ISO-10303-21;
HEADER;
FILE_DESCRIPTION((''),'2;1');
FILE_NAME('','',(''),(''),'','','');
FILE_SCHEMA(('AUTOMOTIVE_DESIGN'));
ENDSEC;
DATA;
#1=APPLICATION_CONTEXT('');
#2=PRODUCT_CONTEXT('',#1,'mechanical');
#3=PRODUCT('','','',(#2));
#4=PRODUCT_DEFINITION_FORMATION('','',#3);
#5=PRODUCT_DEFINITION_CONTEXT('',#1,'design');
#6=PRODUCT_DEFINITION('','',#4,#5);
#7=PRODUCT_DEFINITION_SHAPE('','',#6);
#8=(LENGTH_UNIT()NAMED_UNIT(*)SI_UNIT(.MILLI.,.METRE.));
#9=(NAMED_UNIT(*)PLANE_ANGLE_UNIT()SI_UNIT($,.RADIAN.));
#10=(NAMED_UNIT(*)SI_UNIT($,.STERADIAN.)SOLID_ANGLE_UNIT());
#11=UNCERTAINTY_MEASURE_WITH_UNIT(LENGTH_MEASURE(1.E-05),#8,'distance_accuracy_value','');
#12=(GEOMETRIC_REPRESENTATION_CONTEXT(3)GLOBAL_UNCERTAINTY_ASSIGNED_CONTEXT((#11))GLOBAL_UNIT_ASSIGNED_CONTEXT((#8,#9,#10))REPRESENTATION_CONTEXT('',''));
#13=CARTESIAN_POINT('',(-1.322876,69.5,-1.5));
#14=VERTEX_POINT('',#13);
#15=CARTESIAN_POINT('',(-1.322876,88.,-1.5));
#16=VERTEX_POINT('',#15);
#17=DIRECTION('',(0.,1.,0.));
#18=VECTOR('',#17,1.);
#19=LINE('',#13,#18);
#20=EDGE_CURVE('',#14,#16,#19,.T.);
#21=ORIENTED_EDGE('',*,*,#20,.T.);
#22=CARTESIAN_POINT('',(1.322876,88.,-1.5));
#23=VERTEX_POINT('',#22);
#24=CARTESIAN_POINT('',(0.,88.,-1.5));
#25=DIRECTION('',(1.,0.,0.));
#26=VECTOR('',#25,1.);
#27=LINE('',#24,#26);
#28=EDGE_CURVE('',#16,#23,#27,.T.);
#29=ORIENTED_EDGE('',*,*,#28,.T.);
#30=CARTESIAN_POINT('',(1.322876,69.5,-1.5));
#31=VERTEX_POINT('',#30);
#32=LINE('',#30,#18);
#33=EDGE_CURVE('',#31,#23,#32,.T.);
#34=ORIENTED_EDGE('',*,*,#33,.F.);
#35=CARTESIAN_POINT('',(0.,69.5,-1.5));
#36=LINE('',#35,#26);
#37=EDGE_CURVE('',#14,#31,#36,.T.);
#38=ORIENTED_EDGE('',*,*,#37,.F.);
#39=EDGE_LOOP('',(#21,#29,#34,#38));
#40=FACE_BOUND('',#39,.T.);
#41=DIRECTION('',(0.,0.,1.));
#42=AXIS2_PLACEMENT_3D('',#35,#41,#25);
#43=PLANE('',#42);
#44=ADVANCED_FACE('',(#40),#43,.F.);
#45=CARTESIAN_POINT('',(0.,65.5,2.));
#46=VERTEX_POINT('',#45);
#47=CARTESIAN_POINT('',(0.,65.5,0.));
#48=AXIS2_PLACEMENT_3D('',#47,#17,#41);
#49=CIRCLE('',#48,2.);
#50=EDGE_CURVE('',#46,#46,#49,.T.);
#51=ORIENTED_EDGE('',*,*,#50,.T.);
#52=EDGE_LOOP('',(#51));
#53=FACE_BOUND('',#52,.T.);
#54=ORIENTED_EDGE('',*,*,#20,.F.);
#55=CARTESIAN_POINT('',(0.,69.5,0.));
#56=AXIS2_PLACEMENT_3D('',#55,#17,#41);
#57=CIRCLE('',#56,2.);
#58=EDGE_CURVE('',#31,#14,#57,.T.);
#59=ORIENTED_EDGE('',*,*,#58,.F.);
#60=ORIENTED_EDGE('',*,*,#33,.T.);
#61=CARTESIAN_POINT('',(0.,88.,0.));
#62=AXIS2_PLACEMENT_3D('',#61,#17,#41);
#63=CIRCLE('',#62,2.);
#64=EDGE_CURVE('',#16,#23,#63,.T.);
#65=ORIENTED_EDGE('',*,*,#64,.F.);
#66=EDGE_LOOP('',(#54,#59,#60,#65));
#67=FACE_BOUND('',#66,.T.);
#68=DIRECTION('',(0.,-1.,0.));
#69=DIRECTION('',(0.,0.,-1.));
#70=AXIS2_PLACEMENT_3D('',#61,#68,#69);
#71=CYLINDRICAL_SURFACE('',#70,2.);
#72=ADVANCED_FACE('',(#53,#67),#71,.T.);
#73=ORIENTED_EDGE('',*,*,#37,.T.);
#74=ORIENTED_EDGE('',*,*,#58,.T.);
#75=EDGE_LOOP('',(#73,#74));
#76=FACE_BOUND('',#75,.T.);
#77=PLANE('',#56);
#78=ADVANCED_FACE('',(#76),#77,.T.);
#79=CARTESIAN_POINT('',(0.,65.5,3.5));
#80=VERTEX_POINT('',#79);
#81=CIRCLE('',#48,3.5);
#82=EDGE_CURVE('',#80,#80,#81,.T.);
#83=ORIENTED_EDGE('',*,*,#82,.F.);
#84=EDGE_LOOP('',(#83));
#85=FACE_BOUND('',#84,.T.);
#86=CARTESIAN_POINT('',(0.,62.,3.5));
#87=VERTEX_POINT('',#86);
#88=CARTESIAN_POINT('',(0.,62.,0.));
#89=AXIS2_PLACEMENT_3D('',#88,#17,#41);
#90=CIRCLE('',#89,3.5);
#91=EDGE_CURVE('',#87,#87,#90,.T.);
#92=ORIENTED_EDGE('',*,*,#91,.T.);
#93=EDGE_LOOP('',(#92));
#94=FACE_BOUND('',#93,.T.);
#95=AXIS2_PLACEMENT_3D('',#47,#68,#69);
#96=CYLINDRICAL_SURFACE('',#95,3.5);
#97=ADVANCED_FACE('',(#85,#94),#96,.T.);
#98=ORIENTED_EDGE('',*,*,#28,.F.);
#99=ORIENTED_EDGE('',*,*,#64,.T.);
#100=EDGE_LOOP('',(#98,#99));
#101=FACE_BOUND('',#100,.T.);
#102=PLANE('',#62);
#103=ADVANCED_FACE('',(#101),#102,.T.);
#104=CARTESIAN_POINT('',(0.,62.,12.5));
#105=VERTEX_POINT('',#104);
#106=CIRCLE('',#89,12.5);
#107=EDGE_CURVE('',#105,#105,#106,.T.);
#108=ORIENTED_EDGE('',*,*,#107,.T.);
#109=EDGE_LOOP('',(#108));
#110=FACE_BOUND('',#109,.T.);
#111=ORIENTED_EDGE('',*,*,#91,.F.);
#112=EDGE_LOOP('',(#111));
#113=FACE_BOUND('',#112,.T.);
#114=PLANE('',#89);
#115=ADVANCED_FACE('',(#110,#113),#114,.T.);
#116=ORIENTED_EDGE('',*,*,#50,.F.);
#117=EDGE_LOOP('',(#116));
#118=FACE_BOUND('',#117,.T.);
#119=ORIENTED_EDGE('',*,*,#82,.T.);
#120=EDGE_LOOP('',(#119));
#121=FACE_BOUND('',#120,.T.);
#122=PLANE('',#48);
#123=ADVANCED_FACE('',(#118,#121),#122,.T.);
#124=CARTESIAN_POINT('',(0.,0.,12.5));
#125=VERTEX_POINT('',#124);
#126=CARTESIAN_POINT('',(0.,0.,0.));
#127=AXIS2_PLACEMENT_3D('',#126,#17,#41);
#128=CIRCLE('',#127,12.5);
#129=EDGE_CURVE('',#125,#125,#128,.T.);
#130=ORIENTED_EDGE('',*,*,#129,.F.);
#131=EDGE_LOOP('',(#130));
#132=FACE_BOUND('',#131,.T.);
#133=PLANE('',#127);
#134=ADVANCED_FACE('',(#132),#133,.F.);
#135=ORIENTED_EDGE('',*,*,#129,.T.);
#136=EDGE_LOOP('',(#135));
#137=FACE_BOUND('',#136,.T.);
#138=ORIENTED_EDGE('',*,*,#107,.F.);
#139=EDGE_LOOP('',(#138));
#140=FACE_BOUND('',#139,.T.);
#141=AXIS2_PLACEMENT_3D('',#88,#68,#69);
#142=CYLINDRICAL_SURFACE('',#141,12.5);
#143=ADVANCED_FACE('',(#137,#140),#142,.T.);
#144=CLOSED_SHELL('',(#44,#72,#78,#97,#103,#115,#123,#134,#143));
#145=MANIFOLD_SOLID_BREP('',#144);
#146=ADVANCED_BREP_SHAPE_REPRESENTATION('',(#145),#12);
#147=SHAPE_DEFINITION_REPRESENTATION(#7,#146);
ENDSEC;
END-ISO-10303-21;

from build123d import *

# Parameters (mm, degrees)
SKETCH_1_R          = 12.5
EXTRUDE_1_DEPTH     = 62
SKETCH_2_R          = 3.5
EXTRUDE_2_DEPTH     = 3.5
SKETCH_3_R          = 2
EXTRUDE_3_DEPTH     = 22.5
CUT_EXTRUDE_1_DEPTH = 18.5


with BuildPart() as part:
    # 草图1 → 凸台-拉伸1 (new body)
    with BuildSketch(Plane(origin=(0, 0, 0), x_dir=(1, 0, 0), z_dir=(0, 1, 0))):
        Circle(SKETCH_1_R)
    extrude(amount=EXTRUDE_1_DEPTH)

    # 草图2 → 凸台-拉伸2 (add)
    with BuildSketch(Plane(origin=(0, 62, 0), x_dir=(1, 0, 0), z_dir=(0, 1, 0))):
        Circle(SKETCH_2_R)
    extrude(amount=EXTRUDE_2_DEPTH)

    # 草图3 → 凸台-拉伸3 (add)
    with BuildSketch(Plane(origin=(0, 65.5, 0), x_dir=(1, 0, 0), z_dir=(0, 1, 0))):
        Circle(SKETCH_3_R)
    extrude(amount=EXTRUDE_3_DEPTH)

    # 草图4 → 切除-拉伸1 (cut)
    with BuildSketch(Plane(origin=(0, 88, 0), x_dir=(1, 0, 0), z_dir=(0, 1, 0))):
        Polygon((-50.671161076, 1.5), (-1.322875656, 1.5), (1.322875656, 1.5), (50.671161076, 1.5), (50.671161076, 100.196570842), (-50.671161076, 100.196570842), align=None)
    extrude(amount=-CUT_EXTRUDE_1_DEPTH, mode=Mode.SUBTRACT)


solid = part.part
